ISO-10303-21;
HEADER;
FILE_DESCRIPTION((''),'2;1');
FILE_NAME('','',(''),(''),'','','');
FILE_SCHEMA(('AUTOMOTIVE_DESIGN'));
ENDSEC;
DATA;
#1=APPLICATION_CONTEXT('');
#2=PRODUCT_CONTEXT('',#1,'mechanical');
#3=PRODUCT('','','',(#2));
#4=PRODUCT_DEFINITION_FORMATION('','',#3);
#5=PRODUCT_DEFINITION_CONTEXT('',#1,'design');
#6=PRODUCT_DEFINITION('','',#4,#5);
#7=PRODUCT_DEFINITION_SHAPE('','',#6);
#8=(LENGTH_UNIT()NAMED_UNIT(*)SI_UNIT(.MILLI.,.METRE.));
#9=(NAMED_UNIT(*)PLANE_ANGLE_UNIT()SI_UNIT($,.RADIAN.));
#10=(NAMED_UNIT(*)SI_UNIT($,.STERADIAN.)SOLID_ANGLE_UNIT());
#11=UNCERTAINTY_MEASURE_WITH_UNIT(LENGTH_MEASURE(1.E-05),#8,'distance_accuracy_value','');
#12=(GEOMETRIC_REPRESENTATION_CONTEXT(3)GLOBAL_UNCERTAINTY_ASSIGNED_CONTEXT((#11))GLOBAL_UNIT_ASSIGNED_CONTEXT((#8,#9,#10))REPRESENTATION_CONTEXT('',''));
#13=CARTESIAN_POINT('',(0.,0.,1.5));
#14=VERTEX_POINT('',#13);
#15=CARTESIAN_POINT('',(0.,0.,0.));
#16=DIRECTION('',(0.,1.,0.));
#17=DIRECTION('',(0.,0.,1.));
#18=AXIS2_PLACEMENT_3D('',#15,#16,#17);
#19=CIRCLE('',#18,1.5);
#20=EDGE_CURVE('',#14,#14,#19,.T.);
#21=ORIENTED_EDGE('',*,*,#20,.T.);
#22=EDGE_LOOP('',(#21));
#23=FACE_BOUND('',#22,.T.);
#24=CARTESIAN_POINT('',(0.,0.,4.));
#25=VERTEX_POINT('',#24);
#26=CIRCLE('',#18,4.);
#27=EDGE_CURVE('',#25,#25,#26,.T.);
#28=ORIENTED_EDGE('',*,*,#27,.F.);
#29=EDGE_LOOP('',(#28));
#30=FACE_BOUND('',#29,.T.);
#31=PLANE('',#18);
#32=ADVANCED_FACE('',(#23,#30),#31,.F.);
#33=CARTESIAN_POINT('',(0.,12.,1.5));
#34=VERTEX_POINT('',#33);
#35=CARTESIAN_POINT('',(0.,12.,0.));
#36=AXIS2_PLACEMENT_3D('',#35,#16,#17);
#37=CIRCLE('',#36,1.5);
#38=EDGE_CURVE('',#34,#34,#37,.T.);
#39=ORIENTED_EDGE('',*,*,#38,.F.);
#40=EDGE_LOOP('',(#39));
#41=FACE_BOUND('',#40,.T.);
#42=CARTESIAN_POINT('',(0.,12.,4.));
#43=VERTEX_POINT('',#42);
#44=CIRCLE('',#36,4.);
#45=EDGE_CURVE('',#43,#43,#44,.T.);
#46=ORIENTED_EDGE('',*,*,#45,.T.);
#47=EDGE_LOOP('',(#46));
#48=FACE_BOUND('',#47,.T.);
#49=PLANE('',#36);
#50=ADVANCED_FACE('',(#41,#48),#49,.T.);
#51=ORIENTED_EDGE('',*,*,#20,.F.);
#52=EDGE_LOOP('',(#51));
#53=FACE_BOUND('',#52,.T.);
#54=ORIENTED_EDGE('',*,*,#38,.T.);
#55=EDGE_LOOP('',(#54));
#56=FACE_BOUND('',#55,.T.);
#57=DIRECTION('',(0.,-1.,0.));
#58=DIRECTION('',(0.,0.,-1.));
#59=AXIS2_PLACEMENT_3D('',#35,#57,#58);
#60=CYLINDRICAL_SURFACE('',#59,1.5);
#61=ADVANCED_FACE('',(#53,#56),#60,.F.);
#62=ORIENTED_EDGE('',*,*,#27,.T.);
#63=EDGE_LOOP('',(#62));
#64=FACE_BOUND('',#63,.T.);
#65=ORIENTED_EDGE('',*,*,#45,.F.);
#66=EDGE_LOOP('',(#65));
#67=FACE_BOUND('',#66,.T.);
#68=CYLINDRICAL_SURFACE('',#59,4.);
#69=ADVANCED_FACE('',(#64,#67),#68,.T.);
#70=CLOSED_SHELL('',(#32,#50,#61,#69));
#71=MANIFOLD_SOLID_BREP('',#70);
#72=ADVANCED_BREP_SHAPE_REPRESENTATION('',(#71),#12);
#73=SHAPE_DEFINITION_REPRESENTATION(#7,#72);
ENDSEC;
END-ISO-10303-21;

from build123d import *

# Parameters (mm, degrees)
ESQUISSE1_R        = 4
ESQUISSE1_R_2      = 1.5
BOSS_EXTRU_1_DEPTH = 12


with BuildPart() as part:
    # Esquisse1 → Boss.-Extru.1 (new body)
    with BuildSketch(Plane(origin=(0, 0, 0), x_dir=(1, 0, 0), z_dir=(0, 1, 0))):
        Circle(ESQUISSE1_R)
        Circle(ESQUISSE1_R_2, mode=Mode.SUBTRACT)
    extrude(amount=BOSS_EXTRU_1_DEPTH)


solid = part.part
